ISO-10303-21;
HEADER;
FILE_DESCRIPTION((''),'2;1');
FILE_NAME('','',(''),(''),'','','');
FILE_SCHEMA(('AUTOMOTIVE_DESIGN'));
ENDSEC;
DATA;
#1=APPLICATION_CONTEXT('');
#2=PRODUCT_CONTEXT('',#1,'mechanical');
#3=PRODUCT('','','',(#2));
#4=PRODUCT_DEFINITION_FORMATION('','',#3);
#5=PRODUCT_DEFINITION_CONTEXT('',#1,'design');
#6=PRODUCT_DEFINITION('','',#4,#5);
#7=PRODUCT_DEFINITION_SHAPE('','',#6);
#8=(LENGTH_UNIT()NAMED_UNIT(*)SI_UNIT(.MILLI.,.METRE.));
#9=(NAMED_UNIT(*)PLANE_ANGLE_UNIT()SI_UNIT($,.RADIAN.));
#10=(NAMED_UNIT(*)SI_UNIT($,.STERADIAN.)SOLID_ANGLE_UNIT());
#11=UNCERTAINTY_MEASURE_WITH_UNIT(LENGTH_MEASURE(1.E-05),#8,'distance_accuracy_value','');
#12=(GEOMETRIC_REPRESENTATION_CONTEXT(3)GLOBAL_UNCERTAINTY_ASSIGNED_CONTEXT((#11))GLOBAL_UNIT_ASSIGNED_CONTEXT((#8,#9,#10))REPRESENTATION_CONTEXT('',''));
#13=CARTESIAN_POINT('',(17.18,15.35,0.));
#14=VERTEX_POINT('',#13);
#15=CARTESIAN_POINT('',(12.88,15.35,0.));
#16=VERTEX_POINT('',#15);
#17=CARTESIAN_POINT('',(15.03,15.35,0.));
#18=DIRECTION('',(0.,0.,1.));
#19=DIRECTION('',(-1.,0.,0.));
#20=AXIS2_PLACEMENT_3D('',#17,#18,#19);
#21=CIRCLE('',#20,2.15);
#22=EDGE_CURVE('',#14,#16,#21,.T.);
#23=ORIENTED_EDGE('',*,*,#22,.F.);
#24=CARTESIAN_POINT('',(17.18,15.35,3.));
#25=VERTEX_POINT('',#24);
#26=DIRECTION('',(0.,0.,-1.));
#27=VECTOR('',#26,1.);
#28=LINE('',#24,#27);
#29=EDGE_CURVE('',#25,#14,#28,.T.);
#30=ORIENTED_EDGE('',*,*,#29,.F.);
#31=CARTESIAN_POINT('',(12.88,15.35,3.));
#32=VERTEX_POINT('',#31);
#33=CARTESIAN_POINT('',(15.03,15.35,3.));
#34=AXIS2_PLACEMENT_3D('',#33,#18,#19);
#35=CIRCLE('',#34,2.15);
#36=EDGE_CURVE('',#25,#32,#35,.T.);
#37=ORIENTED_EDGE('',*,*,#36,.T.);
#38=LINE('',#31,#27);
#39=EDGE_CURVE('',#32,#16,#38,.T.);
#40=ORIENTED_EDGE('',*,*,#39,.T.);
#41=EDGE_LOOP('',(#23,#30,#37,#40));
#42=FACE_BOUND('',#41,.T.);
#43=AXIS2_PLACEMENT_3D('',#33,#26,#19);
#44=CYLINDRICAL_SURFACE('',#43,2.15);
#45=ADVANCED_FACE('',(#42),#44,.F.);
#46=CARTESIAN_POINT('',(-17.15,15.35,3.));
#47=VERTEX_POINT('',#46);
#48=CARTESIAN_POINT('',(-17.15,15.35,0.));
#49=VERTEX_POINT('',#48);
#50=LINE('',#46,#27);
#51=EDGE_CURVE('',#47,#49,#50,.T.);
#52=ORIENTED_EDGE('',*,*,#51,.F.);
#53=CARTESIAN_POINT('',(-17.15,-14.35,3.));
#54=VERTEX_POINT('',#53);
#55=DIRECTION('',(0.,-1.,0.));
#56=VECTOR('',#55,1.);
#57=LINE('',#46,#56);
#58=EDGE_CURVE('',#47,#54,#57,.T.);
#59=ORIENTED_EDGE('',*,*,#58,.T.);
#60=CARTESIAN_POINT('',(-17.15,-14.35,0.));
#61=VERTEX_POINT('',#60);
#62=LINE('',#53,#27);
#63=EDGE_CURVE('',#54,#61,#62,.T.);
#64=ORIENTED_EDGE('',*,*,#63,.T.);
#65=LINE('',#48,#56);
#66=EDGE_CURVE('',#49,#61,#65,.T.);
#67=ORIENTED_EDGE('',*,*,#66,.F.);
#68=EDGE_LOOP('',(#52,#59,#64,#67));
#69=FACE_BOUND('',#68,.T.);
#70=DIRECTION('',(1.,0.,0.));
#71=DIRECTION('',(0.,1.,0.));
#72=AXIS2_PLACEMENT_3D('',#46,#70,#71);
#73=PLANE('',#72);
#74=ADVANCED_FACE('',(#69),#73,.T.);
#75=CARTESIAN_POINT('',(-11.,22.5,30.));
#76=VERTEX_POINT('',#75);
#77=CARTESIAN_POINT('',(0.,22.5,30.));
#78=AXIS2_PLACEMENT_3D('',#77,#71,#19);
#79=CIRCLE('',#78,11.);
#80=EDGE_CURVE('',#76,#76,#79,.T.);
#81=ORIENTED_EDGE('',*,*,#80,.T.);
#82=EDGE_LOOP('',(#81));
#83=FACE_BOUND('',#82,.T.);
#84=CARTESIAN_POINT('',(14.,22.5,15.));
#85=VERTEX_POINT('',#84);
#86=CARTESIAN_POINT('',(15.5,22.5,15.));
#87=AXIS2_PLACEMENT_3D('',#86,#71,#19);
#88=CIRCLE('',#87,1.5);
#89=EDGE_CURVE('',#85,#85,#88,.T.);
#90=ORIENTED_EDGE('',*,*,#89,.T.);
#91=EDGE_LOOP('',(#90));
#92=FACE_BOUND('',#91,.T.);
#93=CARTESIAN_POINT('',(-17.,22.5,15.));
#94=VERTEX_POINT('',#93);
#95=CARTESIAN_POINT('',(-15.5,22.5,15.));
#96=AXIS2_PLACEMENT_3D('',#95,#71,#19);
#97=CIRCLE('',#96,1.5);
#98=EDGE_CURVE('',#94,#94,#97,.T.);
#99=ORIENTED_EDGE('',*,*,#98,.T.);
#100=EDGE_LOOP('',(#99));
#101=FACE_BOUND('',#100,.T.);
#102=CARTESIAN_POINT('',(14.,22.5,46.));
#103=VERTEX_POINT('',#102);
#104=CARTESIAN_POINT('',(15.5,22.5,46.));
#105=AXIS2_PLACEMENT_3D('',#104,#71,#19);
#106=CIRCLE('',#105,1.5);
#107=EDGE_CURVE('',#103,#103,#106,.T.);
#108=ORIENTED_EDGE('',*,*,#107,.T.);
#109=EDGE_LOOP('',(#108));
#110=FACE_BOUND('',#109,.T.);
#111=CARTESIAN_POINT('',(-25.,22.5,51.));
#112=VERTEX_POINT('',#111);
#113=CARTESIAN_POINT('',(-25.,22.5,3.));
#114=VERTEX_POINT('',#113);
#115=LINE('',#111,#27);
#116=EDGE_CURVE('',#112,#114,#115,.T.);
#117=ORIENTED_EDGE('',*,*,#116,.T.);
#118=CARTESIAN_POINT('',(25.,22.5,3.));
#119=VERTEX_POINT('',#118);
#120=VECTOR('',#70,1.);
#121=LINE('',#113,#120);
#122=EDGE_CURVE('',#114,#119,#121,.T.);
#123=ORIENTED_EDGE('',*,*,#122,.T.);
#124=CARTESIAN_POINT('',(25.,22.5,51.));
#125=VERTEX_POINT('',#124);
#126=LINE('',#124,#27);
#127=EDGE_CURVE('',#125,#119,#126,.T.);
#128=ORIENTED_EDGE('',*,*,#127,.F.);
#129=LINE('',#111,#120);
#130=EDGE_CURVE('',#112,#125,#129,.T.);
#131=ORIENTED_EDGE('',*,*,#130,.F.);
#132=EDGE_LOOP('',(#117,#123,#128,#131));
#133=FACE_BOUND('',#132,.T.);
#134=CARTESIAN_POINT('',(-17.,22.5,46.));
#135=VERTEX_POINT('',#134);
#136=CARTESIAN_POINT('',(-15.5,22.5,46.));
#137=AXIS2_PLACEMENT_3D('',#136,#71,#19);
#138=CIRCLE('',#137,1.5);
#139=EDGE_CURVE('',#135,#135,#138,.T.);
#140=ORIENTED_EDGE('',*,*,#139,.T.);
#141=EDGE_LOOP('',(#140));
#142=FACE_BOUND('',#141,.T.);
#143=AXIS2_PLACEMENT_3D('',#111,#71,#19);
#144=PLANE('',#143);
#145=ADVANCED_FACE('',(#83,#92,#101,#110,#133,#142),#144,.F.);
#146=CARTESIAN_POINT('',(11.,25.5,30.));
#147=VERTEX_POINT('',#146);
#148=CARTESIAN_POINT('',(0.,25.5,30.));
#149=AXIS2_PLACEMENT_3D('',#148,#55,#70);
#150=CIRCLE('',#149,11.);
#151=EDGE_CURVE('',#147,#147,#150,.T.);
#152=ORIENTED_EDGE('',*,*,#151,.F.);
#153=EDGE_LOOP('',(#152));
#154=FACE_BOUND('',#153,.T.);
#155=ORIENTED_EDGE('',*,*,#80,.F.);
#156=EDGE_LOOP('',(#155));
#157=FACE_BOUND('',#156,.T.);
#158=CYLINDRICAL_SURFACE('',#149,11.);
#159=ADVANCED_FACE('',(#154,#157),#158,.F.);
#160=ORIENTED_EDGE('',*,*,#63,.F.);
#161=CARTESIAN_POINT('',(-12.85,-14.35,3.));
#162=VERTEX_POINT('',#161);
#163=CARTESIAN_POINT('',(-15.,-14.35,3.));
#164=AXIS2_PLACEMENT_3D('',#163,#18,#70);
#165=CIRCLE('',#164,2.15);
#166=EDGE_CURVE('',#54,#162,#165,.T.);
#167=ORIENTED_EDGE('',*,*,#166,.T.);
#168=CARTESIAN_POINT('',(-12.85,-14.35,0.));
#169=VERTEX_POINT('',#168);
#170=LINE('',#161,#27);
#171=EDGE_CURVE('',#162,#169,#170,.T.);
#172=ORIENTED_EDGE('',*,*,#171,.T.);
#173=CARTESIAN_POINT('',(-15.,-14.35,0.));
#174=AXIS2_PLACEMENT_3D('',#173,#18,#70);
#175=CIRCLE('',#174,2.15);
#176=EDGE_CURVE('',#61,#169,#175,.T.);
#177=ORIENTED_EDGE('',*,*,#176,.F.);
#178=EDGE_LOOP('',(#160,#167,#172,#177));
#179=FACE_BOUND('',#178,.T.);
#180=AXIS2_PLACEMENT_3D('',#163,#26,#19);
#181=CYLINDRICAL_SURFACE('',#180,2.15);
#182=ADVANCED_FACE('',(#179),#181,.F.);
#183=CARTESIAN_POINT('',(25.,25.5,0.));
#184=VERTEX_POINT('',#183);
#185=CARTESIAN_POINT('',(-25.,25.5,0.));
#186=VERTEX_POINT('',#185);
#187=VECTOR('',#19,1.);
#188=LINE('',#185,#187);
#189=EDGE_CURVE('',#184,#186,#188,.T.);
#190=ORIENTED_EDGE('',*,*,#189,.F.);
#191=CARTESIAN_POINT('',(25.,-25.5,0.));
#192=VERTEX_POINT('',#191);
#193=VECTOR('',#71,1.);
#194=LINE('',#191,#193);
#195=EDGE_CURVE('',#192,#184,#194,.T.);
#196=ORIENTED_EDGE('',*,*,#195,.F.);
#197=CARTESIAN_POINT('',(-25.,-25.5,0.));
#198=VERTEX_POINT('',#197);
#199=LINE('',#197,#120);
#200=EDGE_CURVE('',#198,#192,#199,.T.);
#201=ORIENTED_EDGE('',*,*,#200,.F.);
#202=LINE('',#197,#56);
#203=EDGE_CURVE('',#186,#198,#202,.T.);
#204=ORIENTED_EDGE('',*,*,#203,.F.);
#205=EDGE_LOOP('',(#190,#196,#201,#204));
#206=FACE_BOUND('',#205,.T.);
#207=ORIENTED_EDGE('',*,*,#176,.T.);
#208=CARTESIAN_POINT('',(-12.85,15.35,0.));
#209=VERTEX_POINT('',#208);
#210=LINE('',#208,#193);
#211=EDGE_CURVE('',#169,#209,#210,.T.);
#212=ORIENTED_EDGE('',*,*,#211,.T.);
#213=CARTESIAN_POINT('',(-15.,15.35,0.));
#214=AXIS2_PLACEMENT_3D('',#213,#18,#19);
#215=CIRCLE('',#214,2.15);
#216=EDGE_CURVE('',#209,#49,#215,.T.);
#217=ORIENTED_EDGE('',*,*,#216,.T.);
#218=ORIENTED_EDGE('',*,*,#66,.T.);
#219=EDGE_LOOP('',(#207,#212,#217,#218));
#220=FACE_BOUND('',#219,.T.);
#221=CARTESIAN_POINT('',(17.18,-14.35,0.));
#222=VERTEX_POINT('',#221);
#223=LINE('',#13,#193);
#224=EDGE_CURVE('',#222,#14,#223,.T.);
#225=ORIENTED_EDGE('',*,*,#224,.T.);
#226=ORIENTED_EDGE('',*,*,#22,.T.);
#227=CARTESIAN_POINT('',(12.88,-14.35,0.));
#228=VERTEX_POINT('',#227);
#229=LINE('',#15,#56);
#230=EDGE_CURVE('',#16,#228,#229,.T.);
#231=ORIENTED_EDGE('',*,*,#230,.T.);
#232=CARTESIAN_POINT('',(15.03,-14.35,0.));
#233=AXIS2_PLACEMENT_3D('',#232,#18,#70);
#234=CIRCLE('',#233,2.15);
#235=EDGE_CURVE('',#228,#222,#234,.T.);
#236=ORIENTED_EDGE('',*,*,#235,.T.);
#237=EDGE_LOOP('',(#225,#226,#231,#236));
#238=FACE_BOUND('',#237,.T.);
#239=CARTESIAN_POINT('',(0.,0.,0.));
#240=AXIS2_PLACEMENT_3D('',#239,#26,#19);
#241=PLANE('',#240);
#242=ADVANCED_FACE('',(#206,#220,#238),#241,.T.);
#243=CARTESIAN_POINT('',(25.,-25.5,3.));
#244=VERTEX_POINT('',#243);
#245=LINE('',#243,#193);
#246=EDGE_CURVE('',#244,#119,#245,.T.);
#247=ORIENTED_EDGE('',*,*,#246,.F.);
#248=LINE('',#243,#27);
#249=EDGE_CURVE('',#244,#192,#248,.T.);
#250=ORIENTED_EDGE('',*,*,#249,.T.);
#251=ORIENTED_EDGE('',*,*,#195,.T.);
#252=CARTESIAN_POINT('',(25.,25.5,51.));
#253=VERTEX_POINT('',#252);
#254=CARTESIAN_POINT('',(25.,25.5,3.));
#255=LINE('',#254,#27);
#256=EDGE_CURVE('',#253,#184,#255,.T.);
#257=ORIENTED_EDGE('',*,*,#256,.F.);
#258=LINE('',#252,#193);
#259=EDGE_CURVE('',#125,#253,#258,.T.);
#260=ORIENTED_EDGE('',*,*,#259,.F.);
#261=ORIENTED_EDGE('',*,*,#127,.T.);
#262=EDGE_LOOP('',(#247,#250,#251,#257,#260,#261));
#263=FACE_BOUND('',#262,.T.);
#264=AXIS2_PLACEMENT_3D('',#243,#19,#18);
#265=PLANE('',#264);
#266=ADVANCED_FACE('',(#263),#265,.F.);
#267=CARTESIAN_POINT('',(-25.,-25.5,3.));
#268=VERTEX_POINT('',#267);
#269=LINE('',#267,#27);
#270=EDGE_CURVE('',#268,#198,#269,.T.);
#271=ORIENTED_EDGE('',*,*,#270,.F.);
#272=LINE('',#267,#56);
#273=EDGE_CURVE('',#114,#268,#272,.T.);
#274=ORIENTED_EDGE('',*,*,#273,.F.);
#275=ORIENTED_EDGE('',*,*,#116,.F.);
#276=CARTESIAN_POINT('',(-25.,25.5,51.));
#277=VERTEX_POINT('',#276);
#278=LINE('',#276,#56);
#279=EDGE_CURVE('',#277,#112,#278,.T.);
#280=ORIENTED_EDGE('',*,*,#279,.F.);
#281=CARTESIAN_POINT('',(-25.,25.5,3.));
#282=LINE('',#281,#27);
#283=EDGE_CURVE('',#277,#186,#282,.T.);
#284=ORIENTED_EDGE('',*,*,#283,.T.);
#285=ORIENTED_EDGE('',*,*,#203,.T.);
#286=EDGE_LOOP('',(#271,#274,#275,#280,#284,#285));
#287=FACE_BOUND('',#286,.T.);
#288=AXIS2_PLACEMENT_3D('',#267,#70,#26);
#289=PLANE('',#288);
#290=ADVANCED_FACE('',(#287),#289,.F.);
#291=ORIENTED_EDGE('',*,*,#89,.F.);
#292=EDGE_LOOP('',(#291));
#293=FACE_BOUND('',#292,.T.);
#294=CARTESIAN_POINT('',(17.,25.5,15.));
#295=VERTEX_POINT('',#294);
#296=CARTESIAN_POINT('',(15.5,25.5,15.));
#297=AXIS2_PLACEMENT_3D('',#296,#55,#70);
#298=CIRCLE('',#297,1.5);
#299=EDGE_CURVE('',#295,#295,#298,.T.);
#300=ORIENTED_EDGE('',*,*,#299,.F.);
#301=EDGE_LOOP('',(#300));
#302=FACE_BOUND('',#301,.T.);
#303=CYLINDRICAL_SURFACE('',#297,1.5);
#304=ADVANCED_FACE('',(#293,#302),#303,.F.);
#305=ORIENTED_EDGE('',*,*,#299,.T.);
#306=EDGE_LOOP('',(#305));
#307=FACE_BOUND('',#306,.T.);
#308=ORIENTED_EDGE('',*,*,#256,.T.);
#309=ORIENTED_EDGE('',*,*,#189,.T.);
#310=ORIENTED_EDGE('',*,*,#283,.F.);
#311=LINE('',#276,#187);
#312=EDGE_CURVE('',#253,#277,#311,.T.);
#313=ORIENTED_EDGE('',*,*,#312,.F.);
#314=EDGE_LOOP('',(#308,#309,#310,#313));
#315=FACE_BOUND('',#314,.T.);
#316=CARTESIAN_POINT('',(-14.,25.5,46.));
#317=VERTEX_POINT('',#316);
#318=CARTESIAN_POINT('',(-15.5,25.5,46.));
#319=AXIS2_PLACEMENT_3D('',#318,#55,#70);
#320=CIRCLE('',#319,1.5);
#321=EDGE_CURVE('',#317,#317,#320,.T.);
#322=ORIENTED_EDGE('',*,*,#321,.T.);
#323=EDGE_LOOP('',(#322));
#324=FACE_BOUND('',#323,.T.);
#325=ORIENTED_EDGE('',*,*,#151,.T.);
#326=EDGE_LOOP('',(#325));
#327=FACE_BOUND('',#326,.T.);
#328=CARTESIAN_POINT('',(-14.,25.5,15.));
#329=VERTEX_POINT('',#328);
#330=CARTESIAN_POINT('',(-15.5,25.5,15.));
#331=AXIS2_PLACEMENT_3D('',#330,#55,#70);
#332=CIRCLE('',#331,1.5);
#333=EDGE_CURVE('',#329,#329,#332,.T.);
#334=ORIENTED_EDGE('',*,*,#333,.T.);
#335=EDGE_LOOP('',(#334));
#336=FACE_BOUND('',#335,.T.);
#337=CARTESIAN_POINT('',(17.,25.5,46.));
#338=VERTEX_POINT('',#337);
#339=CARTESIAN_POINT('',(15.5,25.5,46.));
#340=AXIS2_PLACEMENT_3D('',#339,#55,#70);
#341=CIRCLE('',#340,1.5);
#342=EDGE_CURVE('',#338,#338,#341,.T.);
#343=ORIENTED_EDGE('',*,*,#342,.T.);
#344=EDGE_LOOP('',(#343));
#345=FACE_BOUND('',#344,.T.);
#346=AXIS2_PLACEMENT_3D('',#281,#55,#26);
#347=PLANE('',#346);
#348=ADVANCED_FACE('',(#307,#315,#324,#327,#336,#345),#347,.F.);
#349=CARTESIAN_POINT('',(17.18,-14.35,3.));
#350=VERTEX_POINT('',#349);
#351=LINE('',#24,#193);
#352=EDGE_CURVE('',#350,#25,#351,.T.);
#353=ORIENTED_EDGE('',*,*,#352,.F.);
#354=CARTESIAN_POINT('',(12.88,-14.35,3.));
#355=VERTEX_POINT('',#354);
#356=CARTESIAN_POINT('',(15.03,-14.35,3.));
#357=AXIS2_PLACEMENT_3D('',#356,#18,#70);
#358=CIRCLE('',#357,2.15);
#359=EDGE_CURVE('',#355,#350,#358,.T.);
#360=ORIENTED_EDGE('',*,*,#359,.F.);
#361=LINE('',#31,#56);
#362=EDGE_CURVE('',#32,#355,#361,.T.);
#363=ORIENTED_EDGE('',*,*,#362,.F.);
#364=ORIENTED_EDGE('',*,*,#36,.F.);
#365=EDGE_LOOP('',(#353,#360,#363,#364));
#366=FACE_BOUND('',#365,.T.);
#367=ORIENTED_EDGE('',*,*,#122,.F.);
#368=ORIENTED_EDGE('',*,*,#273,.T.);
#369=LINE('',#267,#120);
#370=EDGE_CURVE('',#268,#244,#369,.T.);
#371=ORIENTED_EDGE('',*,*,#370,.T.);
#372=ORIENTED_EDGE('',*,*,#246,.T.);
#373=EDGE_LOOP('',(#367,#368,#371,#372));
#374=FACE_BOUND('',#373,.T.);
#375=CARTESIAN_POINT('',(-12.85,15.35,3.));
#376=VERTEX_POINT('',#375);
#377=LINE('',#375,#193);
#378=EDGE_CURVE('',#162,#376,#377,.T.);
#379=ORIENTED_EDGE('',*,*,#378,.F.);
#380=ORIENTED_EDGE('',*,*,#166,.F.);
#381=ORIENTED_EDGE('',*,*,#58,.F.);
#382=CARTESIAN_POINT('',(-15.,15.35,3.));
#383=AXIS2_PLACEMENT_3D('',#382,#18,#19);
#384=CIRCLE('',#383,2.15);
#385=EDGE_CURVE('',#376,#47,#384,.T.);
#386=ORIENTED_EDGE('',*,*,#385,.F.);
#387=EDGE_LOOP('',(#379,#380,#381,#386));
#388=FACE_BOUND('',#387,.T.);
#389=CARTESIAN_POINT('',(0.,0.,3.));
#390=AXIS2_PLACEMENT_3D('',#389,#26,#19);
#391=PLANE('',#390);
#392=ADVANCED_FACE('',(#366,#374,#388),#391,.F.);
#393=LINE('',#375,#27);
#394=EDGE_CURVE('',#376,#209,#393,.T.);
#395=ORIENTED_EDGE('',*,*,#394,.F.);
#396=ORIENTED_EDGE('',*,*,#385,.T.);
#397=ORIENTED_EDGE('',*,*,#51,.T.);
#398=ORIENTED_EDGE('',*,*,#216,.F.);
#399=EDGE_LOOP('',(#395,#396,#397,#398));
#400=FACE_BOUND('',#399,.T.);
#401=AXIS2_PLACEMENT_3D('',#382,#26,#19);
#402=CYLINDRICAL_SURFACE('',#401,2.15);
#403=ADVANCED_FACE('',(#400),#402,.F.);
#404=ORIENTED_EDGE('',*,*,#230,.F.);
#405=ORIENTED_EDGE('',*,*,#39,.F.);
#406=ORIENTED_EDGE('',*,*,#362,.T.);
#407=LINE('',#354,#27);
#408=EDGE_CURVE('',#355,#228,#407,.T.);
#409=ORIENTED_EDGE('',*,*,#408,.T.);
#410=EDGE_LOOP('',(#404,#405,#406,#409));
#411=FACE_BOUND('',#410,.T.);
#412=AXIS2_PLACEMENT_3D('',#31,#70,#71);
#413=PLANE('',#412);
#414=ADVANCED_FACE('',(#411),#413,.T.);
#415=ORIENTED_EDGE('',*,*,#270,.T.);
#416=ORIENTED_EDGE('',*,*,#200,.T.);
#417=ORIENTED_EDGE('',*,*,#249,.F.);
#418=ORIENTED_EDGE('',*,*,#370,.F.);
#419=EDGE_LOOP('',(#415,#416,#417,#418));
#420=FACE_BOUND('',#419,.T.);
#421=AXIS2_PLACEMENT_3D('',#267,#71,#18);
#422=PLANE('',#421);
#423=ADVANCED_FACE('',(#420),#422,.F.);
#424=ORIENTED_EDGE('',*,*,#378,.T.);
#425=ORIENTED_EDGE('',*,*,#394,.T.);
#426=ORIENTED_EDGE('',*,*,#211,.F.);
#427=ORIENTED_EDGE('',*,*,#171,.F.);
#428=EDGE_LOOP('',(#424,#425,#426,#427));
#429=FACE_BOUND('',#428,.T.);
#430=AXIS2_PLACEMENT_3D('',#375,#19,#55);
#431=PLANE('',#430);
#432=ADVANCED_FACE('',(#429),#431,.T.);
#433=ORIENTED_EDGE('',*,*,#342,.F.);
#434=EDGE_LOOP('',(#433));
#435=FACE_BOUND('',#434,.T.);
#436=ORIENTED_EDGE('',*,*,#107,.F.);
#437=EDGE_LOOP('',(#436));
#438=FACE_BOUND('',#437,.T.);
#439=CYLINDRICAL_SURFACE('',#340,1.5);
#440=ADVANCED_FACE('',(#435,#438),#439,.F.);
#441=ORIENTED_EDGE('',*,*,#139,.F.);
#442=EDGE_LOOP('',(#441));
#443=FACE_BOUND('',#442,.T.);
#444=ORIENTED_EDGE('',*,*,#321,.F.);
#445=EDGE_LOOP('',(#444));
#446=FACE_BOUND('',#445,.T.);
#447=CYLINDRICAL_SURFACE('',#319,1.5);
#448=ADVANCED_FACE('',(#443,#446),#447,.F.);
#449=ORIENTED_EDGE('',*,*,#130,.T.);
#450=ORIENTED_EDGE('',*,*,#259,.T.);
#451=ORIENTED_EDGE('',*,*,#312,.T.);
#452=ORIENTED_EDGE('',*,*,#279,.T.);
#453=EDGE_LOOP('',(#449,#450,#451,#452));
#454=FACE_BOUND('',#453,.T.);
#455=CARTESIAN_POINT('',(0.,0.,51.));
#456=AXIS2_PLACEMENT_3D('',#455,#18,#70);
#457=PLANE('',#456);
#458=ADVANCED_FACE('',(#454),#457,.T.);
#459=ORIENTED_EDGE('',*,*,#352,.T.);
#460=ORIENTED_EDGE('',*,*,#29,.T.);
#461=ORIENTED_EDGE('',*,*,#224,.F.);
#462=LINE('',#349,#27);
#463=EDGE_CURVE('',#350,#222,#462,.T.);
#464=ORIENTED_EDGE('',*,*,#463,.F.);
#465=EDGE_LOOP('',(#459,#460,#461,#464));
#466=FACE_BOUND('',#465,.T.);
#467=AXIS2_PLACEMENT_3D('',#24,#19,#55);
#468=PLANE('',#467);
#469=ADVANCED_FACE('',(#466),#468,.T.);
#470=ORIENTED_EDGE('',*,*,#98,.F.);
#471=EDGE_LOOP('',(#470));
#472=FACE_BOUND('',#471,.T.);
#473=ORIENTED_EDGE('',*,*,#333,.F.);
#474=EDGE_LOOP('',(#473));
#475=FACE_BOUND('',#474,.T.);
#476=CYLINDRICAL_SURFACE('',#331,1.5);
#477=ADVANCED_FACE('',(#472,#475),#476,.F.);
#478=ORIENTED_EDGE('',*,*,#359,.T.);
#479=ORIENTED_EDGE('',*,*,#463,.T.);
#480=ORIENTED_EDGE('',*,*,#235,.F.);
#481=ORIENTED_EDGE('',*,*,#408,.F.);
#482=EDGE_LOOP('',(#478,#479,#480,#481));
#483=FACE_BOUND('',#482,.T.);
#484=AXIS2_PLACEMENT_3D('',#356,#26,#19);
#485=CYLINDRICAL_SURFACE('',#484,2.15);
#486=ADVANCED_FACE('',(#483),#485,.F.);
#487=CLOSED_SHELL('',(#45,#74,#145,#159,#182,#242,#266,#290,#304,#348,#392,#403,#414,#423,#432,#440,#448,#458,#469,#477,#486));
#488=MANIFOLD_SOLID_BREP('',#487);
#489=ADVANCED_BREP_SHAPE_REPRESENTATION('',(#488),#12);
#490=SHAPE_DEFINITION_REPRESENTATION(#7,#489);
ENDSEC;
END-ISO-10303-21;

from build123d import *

# Parameters (mm, degrees)
SKETCH1_W               = 50
SKETCH1_H               = 51
BOSS_EXTRUDE1_DEPTH     = 3
SKETCH2_W               = 50
SKETCH2_H               = 3
BOSS_EXTRUDE2_DEPTH     = 48
CUT_EXTRUDE1_DEPTH      = 75.36396977
CUT_EXTRUDE1_DEPTH_BACK = 75.36396977
SKETCH3_R               = 11
SKETCH3_R_2             = 1.5


with BuildPart() as part:
    # Sketch1 → Boss-Extrude1 (new body)
    with BuildSketch(Plane.XY):
        Rectangle(SKETCH1_W, SKETCH1_H)
        with BuildLine():
            Line((-17.15, 15.35), (-17.15, -14.35))
            ThreePointArc((-17.15, -14.35), (-15, -16.5), (-12.85, -14.35))
            Line((-12.85, -14.35), (-12.85, 15.35))
            ThreePointArc((-12.85, 15.35), (-15, 17.5), (-17.15, 15.35))
        make_face(mode=Mode.SUBTRACT)
        with BuildLine():
            Line((12.88, 15.35), (12.88, -14.35))
            ThreePointArc((12.88, -14.35), (15.03, -16.5), (17.18, -14.35))
            Line((17.18, -14.35), (17.18, 15.35))
            ThreePointArc((17.18, 15.35), (15.03, 17.5), (12.88, 15.35))
        make_face(mode=Mode.SUBTRACT)
    extrude(amount=BOSS_EXTRUDE1_DEPTH)

    # Sketch2 → Boss-Extrude2 (add)
    with BuildSketch(Plane.XY.offset(3)):
        with Locations((0, 24)):
            Rectangle(SKETCH2_W, SKETCH2_H)
    extrude(amount=BOSS_EXTRUDE2_DEPTH)

    # Sketch3 → Cut-Extrude1 (cut, two sides: drawn at the far end of the back side and taken through both)
    with BuildSketch(Plane.XZ.offset(-22.5).offset(-CUT_EXTRUDE1_DEPTH_BACK)):
        with Locations((0, 30)):
            Circle(SKETCH3_R)
        with Locations((-15.5, 46)):
            Circle(SKETCH3_R_2)
        with Locations((15.5, 46)):
            Circle(SKETCH3_R_2)
        with Locations((-15.5, 15)):
            Circle(SKETCH3_R_2)
        with Locations((15.5, 15)):
            Circle(SKETCH3_R_2)
    extrude(amount=CUT_EXTRUDE1_DEPTH + CUT_EXTRUDE1_DEPTH_BACK, mode=Mode.SUBTRACT)


solid = part.part
